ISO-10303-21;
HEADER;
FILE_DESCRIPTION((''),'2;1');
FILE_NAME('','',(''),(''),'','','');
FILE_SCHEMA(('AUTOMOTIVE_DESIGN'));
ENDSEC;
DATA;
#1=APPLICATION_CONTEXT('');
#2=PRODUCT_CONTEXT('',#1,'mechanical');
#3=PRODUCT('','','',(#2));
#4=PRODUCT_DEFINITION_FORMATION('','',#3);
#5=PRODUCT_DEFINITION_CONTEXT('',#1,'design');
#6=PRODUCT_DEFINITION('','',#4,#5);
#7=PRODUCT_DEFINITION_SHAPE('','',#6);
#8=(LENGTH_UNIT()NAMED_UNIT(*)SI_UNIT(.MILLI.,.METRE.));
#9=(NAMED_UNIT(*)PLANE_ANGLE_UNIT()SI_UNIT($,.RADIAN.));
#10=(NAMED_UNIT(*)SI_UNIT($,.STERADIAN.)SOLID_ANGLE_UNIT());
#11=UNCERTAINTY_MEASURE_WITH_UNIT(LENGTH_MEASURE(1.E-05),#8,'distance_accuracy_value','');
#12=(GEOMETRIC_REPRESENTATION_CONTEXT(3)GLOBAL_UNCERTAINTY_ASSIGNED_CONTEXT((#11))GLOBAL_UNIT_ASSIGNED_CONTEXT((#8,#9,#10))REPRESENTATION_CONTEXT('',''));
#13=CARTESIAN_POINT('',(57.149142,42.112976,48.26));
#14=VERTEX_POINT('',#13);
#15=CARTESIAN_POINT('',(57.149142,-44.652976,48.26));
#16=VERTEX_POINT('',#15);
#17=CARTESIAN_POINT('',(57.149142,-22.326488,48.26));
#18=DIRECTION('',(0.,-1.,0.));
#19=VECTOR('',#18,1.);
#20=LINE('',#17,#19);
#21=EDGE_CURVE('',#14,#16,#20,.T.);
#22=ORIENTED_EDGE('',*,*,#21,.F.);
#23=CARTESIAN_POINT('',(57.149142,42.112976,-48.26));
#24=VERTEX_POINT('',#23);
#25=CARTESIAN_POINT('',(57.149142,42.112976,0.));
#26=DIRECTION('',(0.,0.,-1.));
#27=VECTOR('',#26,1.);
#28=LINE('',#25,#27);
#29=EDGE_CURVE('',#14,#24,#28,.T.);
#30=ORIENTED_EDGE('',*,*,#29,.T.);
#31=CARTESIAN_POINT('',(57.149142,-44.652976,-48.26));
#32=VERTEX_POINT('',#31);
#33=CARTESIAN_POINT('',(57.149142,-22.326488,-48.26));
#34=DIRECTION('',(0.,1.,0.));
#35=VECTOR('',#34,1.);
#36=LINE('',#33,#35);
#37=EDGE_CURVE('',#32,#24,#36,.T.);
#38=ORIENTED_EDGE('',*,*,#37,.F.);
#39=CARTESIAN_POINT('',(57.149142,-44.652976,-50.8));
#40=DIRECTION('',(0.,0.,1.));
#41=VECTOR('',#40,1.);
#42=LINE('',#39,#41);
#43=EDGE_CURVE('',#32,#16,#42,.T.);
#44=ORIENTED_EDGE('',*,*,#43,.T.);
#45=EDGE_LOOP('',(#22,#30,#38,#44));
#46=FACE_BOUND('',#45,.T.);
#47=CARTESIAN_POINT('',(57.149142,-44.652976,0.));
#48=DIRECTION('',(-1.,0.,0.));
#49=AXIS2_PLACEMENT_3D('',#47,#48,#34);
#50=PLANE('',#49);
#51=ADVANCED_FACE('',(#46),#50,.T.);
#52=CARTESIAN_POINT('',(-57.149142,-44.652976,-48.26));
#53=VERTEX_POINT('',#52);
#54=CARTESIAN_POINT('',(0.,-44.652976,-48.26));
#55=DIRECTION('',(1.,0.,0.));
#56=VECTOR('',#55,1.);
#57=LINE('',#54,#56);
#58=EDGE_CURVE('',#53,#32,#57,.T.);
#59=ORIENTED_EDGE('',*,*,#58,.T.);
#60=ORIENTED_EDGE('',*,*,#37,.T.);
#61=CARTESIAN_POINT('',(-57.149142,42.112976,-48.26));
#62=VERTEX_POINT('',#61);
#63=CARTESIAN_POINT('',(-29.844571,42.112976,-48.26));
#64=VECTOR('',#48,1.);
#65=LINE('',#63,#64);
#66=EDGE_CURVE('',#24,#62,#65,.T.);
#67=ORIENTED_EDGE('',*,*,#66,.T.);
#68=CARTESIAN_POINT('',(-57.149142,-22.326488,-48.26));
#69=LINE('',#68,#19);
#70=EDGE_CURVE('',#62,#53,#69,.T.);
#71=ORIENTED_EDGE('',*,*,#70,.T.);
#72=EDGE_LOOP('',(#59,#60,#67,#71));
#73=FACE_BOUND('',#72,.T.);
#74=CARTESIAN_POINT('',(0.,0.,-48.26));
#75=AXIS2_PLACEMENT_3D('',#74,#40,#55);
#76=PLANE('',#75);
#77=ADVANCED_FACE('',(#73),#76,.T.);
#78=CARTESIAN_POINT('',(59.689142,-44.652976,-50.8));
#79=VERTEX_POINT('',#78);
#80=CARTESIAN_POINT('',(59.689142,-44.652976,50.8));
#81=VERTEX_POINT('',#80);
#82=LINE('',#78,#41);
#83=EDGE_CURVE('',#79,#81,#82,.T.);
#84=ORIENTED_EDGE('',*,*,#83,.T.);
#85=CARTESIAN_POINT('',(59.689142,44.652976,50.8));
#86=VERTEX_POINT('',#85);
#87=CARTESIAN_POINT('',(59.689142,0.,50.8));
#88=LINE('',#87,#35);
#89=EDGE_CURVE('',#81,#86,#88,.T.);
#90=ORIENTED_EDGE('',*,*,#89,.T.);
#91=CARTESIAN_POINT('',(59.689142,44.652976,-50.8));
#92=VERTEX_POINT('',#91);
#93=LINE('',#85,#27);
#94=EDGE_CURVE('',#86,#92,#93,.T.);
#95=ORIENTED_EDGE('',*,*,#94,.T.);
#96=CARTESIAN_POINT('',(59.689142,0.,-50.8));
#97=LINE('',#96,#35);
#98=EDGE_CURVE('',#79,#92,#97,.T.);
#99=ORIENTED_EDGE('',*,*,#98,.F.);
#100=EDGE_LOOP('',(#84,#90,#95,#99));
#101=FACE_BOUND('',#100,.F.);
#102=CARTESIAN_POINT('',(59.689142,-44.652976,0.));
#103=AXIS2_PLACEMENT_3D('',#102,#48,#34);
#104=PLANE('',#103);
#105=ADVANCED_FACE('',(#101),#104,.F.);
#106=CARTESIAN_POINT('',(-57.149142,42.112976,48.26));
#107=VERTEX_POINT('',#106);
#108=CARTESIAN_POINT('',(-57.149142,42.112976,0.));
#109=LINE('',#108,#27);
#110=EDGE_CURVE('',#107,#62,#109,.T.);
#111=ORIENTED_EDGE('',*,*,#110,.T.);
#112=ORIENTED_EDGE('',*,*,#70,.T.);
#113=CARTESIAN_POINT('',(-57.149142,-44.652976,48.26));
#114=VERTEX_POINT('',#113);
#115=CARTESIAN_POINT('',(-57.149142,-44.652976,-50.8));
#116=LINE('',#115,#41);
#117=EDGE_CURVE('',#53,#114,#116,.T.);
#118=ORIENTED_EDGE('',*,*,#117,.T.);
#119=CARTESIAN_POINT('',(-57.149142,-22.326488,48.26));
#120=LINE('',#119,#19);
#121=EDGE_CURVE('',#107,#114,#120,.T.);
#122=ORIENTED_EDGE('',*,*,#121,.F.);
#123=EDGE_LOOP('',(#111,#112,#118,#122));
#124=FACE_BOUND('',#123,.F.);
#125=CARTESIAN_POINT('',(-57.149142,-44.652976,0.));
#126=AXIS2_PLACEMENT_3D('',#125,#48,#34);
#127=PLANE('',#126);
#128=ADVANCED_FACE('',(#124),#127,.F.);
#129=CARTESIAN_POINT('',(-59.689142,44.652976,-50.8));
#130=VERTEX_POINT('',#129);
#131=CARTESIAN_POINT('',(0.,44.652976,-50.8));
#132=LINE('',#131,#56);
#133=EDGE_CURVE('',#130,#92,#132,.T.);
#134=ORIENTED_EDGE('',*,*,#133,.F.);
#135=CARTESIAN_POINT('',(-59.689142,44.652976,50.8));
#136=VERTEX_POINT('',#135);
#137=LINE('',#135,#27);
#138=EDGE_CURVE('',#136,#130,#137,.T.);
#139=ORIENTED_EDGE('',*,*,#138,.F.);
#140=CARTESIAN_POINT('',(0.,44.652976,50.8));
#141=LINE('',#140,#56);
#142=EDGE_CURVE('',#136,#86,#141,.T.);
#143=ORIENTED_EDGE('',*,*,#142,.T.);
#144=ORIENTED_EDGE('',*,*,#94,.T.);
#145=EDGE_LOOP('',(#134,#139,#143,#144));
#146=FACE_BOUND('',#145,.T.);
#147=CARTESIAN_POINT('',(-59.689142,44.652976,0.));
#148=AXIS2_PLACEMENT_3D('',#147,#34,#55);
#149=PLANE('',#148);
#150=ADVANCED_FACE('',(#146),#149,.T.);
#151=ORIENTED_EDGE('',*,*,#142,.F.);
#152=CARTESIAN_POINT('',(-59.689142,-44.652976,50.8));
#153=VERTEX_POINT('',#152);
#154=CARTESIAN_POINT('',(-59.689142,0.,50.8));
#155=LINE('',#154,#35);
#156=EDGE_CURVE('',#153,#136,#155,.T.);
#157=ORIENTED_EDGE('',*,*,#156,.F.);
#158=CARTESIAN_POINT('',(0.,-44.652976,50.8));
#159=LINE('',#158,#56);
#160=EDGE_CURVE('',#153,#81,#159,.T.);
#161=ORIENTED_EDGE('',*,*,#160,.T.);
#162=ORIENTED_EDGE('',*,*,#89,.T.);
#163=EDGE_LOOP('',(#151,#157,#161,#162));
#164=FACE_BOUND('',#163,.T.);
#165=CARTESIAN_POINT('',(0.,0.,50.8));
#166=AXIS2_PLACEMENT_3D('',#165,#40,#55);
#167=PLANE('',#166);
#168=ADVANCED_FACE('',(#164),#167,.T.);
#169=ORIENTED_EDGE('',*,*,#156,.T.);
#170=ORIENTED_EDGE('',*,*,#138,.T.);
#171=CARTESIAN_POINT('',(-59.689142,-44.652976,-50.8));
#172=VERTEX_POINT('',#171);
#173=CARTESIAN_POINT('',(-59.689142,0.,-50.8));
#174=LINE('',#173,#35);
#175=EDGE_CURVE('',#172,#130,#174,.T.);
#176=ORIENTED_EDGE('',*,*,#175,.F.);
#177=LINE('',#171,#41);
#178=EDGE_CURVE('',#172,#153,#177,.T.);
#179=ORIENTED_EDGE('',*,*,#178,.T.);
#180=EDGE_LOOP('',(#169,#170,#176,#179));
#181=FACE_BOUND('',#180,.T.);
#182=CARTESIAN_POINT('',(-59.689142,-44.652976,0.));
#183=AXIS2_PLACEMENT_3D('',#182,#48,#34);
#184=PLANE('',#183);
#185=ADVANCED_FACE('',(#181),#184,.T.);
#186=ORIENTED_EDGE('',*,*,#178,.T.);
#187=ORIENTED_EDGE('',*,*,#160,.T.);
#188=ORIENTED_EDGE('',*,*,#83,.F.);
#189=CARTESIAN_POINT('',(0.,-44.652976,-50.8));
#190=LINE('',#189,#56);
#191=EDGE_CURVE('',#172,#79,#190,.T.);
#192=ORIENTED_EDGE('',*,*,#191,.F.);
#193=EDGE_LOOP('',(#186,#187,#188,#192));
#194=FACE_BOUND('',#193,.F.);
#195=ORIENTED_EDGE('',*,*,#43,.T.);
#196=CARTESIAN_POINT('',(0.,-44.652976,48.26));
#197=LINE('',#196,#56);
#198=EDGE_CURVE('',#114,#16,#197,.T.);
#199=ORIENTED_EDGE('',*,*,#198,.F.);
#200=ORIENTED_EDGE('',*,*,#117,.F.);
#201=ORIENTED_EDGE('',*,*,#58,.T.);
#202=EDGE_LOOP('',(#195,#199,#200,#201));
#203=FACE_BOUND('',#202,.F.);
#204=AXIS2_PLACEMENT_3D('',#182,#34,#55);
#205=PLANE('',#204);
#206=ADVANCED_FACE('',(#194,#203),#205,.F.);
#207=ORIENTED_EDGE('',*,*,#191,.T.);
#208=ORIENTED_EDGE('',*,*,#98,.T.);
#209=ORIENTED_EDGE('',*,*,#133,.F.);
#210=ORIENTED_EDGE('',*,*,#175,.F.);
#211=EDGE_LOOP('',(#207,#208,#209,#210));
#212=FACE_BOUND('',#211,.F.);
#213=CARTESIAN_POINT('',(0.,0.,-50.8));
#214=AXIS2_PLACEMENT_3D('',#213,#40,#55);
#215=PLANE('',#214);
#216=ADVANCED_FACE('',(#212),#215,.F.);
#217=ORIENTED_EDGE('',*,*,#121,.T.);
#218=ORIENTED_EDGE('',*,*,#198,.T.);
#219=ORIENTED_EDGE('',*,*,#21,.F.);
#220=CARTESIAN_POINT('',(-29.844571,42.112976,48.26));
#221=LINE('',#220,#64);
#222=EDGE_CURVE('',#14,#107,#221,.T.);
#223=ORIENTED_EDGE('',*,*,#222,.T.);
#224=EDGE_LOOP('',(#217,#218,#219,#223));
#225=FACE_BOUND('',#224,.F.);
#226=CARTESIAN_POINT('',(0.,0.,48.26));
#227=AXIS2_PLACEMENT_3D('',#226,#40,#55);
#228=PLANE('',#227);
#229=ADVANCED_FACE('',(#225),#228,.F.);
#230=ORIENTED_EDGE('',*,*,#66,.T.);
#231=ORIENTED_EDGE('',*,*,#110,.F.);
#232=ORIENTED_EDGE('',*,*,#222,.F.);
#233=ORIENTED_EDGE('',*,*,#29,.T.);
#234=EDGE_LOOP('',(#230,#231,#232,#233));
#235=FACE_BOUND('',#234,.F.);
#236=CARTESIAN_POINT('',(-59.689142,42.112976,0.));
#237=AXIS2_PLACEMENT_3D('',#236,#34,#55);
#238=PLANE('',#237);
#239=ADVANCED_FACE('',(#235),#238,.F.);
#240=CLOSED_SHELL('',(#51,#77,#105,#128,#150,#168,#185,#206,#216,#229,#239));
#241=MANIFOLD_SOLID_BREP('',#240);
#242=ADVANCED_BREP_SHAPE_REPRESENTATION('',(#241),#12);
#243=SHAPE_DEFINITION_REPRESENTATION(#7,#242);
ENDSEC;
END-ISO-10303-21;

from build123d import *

# Parameters (mm, degrees)
F0_W          = 119.3782836199
F0_H          = 89.3059521914
F1_DEPTH      = 50.8
F1_DEPTH_BACK = 50.8
F2_T          = -2.54


with BuildPart() as f1:
    # F0 (on Top) → F1 (new body, two sides)
    with BuildSketch(Plane.XY) as f1_sk:
        Rectangle(F0_W, F0_H)
    extrude(amount=-F1_DEPTH)
    extrude(f1_sk.sketch, amount=F1_DEPTH_BACK)

    # F2
    f2_openings = [f1.faces().sort_by_distance(p)[0] for p in [
        (0, -44.652976, 0),
    ]]
    offset(amount=F2_T, openings=f2_openings)


solid = f1.part
